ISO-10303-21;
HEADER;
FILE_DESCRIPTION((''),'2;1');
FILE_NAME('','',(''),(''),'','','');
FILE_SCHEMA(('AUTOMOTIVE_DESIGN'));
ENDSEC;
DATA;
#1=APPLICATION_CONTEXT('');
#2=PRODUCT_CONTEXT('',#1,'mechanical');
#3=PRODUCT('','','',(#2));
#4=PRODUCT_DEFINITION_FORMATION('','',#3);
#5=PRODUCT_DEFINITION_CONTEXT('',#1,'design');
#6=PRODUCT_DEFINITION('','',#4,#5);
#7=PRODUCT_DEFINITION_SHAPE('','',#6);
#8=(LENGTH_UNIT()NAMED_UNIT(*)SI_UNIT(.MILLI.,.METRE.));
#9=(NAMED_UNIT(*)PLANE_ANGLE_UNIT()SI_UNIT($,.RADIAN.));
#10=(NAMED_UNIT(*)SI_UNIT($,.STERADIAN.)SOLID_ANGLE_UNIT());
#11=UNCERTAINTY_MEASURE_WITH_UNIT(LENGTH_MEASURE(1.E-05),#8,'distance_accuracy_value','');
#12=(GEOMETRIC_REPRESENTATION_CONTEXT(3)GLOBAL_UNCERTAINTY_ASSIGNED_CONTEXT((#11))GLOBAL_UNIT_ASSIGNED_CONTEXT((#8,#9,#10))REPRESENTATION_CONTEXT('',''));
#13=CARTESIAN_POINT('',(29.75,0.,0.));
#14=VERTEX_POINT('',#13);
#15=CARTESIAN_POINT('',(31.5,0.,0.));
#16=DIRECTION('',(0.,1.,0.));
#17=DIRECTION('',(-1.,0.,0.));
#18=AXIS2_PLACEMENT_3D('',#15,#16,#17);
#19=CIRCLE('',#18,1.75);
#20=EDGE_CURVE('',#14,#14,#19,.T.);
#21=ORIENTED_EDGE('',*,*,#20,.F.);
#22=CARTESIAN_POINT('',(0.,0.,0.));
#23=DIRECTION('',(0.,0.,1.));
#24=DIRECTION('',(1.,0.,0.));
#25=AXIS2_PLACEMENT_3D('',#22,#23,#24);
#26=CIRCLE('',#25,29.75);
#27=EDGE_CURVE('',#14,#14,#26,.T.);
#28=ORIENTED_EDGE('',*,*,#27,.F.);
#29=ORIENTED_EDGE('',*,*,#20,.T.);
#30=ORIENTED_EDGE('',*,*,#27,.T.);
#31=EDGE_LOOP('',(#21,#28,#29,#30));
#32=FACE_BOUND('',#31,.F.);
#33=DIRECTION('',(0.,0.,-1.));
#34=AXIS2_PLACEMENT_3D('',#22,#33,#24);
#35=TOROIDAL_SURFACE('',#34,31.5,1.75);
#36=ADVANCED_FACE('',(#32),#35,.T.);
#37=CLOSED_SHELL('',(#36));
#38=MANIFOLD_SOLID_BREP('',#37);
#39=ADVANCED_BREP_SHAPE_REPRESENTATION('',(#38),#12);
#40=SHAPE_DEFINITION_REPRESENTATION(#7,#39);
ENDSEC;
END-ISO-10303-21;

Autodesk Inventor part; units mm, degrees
ref_plane "YZ Plane" through (0, 0, 0) normal (1, 0, 0) x (0, 1, 0)
ref_plane "XZ Plane" through (0, 0, 0) normal (0, 1, 0) x (-1, 0, 0)
ref_plane "XY Plane" through (0, 0, 0) normal (0, 0, 1) x (1, 0, 0)
sketch "Sketch1" plane through (0, 0, 0) normal (0, 1, 0) x (-1, 0, 0)
  circle A0 centre (-31.5, 0) radius 1.75
  line L0 (0, 0) -> (0, 14.6099)
  dimension "d0" = 3.5
  dimension "d1" = 63
revolve "Revolution1" add sketch "Sketch1" angle 360 about axis through (0, 0, 0) along (0, 0, 1)
equation "\"d0\" = oring"
equation "\"d1\" = diameter"
equation "\"diameter\" = 63"
equation "\"oring\" = 3.5"
properties part number "pld-vessel-gasket" material "Rubber"
